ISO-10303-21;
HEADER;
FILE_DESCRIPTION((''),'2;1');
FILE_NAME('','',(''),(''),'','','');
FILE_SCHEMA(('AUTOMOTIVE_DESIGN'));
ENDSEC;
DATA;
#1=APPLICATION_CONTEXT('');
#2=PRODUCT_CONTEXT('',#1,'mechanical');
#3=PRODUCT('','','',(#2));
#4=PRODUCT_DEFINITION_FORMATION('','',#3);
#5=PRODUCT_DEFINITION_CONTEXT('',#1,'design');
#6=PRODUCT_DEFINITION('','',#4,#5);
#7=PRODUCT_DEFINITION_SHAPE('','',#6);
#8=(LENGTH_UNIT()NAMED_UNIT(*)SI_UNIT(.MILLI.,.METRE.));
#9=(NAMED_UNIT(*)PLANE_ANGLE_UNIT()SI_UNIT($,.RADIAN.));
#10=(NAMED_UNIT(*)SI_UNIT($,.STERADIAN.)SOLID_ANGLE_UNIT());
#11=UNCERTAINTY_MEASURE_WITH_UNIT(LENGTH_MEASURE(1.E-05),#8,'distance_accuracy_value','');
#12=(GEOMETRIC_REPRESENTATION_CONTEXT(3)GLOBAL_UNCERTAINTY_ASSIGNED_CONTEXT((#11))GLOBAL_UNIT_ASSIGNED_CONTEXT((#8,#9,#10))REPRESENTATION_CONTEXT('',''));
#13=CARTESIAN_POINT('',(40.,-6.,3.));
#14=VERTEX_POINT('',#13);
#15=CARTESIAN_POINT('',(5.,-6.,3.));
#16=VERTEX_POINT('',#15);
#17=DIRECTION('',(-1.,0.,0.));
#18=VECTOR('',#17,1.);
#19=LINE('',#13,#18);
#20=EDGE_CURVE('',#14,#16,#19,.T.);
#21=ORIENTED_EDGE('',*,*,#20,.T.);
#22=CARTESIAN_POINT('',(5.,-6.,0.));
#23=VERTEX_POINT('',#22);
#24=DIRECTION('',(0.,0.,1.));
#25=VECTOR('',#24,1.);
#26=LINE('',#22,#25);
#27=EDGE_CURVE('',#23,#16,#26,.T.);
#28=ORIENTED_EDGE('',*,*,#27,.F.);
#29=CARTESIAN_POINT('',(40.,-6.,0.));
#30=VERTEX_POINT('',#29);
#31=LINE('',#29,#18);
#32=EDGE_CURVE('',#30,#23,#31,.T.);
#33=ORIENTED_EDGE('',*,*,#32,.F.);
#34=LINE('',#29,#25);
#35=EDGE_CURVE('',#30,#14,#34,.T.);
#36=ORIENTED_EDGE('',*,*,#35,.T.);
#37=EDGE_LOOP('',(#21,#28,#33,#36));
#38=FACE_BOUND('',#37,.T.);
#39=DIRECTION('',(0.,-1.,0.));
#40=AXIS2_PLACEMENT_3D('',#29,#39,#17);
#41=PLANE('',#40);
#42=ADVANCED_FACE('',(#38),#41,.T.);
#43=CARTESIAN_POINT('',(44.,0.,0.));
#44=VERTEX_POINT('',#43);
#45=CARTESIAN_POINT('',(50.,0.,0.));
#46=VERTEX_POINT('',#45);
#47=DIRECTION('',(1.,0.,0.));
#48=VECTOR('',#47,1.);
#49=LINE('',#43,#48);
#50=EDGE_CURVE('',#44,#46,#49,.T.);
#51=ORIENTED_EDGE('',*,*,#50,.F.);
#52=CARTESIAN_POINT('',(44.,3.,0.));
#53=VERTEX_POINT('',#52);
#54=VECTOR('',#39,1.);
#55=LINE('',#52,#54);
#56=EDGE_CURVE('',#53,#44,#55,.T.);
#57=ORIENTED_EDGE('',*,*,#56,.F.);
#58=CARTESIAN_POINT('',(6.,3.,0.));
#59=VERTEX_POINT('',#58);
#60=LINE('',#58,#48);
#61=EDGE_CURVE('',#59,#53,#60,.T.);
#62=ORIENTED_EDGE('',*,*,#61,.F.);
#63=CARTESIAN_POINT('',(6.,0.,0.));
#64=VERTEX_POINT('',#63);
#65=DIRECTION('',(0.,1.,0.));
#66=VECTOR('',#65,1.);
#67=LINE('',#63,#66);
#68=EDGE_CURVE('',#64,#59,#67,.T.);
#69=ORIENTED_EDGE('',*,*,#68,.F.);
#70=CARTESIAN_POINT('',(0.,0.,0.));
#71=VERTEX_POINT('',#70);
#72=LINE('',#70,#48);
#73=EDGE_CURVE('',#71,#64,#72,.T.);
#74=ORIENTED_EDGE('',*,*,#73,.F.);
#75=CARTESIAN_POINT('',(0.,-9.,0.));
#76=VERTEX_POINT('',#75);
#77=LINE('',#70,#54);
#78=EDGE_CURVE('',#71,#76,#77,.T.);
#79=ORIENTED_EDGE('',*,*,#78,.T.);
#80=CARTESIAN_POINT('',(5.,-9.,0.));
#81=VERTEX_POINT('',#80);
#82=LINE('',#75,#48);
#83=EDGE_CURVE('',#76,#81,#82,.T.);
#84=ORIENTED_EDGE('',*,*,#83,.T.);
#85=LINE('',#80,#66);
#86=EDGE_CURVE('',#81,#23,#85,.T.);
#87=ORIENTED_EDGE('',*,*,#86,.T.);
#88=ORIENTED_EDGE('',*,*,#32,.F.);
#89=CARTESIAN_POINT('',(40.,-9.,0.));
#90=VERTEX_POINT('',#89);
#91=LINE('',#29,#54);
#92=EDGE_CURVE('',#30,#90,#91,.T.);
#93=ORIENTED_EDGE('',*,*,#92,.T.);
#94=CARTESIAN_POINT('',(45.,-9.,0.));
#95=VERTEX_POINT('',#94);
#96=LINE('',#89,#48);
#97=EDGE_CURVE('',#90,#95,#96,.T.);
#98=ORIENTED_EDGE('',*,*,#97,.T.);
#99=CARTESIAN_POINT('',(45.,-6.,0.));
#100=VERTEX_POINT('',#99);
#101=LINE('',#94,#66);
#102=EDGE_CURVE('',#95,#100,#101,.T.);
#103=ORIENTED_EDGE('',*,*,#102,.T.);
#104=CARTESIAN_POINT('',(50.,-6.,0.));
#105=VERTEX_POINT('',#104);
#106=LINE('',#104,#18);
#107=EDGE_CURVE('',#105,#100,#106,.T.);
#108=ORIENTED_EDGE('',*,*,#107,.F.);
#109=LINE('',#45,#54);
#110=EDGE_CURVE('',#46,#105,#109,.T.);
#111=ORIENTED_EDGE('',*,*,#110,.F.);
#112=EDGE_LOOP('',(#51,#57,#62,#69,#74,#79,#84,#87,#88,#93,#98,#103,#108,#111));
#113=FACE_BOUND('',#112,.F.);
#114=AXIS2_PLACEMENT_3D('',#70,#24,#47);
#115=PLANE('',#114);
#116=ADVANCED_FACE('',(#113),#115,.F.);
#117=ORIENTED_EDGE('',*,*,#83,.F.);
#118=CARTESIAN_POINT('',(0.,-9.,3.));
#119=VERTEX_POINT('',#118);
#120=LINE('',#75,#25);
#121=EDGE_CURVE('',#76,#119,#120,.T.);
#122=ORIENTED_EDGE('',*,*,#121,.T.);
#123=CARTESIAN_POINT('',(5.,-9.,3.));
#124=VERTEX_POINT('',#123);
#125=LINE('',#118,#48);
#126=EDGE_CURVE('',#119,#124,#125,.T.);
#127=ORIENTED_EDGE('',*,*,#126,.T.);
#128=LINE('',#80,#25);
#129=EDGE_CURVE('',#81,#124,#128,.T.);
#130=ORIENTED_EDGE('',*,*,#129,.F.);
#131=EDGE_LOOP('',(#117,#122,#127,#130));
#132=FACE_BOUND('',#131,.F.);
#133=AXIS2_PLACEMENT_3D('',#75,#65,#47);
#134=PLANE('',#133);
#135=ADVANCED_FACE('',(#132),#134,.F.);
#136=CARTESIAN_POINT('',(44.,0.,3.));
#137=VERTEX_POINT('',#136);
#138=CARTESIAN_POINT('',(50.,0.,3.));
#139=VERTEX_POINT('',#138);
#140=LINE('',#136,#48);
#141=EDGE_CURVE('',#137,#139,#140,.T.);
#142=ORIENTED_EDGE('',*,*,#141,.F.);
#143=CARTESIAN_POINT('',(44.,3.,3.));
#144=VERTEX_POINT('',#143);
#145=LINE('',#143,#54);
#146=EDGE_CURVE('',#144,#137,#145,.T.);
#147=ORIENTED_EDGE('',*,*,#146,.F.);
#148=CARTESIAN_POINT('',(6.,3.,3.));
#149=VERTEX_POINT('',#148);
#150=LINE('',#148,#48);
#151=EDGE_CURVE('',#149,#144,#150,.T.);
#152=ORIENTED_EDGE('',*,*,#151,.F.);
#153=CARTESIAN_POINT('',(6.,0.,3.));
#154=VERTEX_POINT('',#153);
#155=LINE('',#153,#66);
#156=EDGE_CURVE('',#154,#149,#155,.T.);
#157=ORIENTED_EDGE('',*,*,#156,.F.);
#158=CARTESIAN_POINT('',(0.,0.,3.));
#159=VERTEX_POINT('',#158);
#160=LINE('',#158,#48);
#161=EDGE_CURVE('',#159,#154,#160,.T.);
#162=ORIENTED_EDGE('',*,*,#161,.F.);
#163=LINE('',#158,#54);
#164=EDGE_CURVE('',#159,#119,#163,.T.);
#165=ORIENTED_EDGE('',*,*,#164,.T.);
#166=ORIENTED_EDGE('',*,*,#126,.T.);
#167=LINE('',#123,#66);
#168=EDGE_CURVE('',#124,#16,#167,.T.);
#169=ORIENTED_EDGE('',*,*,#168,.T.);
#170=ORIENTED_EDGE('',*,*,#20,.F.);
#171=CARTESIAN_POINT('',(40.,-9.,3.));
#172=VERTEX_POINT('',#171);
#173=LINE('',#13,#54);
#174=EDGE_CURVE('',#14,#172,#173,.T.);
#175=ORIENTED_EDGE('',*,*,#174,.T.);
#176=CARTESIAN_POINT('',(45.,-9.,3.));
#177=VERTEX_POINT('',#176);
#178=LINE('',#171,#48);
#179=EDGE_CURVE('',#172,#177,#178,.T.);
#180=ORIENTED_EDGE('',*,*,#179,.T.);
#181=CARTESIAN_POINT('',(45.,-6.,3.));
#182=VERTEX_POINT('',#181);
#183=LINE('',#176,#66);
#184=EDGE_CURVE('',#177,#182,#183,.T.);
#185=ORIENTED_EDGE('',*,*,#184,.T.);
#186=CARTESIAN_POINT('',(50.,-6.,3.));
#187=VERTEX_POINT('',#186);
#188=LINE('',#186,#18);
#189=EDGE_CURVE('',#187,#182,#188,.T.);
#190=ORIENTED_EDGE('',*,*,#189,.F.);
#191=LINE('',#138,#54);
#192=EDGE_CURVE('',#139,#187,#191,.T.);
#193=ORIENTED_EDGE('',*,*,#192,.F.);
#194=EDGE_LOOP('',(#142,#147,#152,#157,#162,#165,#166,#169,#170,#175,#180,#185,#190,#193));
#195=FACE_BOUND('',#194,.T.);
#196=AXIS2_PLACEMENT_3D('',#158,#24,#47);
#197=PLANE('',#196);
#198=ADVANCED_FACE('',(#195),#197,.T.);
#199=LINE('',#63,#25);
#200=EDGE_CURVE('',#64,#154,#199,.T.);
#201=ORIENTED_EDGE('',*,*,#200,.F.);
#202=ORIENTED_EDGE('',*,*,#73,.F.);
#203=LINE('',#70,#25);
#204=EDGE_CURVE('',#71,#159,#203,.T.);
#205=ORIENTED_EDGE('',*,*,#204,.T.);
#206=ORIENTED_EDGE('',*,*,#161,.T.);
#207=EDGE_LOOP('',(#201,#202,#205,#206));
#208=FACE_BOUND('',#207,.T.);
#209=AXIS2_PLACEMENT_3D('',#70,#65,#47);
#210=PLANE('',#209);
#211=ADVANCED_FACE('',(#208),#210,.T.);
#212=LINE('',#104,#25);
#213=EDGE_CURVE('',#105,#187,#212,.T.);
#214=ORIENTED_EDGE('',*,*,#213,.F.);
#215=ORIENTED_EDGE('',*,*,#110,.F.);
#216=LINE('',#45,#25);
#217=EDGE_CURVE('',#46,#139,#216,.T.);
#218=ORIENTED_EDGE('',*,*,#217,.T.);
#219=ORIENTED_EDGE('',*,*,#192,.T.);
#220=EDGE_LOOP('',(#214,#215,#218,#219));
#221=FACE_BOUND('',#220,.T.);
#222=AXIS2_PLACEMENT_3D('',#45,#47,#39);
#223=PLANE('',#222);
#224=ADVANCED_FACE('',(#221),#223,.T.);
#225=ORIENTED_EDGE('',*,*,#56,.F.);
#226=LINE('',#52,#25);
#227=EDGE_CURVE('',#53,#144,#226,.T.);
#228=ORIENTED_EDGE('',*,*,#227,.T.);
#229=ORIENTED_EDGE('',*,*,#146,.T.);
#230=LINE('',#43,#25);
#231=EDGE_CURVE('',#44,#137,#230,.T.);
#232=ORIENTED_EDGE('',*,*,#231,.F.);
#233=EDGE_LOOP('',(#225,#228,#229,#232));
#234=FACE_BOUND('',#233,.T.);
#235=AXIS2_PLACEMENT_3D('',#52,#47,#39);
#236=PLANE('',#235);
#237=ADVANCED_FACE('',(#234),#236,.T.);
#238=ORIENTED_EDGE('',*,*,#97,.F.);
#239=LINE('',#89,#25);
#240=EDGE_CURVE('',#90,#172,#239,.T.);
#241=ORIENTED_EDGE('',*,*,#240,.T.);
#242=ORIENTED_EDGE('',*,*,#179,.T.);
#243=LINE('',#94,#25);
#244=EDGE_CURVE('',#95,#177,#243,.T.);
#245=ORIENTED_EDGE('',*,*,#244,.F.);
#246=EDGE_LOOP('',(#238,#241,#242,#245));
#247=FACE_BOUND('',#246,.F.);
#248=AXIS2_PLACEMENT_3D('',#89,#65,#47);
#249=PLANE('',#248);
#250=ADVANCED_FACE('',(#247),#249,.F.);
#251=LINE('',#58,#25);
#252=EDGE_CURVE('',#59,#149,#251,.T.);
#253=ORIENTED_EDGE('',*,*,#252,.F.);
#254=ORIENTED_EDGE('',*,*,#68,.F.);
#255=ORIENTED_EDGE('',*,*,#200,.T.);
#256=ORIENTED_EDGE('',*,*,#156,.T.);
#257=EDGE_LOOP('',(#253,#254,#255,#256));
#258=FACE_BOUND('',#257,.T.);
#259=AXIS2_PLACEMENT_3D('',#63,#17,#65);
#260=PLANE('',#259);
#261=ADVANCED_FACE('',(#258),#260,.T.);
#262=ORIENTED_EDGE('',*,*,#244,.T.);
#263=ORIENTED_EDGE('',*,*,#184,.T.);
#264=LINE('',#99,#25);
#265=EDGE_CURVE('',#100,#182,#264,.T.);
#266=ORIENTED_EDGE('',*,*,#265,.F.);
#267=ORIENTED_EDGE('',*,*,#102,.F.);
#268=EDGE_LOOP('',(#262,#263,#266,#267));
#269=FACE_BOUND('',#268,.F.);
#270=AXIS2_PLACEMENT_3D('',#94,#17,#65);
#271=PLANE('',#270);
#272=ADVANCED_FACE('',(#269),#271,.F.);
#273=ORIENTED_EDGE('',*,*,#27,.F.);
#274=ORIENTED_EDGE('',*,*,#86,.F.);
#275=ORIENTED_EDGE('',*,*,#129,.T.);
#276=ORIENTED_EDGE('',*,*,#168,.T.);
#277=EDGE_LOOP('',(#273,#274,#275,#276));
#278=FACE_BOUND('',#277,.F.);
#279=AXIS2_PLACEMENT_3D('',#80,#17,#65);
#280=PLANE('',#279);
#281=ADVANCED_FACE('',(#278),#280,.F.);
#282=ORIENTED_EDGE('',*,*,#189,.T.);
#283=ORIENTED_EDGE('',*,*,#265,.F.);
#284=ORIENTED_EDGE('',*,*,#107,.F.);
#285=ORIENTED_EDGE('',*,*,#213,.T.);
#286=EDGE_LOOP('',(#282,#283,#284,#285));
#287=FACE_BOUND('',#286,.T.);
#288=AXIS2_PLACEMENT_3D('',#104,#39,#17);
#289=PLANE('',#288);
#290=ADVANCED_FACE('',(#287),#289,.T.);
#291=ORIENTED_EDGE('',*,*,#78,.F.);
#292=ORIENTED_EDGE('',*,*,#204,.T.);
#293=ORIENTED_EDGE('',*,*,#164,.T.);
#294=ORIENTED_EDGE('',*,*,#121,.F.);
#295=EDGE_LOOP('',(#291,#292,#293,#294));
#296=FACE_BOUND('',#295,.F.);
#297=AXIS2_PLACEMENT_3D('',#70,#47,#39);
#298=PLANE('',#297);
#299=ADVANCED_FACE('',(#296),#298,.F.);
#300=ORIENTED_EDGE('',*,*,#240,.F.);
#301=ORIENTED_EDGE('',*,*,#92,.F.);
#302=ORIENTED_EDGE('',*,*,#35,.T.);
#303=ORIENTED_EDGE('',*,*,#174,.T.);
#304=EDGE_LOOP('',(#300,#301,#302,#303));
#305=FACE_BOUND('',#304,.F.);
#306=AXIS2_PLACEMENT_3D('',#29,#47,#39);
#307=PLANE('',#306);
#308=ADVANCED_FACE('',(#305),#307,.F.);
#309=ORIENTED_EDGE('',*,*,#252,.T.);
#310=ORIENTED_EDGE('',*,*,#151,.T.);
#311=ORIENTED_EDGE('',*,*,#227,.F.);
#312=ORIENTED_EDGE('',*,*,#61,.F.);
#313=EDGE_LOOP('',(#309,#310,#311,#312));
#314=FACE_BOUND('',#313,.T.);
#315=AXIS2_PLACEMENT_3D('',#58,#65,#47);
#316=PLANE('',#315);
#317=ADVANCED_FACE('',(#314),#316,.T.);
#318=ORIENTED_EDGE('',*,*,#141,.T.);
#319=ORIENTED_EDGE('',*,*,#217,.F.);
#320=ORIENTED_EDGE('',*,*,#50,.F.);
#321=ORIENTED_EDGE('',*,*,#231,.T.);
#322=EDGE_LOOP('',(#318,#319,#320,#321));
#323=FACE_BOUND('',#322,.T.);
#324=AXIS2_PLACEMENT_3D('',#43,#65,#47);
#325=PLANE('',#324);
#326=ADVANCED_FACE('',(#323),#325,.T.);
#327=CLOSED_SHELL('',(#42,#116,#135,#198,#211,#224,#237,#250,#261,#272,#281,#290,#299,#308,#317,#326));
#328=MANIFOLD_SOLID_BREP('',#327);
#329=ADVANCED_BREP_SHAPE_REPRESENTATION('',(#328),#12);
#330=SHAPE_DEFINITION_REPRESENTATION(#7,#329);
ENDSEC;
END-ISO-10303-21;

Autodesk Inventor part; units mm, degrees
ref_plane "YZ Plane" through (0, 0, 0) normal (1, 0, 0) x (0, 1, 0)
ref_plane "XZ Plane" through (0, 0, 0) normal (0, 1, 0) x (-1, 0, 0)
ref_plane "XY Plane" through (0, 0, 0) normal (0, 0, 1) x (1, 0, 0)
sketch "Boceto1" plane through (0, 0, 0) normal (0, 0, 1) x (1, 0, 0)
  line L0 (50, 0) -> (50, -6)
  line L1 (5, -9) -> (5, -6)
  line L2 (40, -6) -> (40, -9)
  line L3 (40, -9) -> (45, -9)
  line L4 (45, -9) -> (45, -6)
  line L5 (50, -6) -> (45, -6)
  line L6 (40, -6) -> (5, -6)
  line L7 (0, 0) -> (0, -9)
  line L8 (0, -9) -> (5, -9)
  line L9 (6, 0) -> (6, 3)
  line L10 (6, 3) -> (44, 3)
  line L11 (44, 3) -> (44, 0)
  line L12 (0, 0) -> (6, 0)
  line L13 (44, 0) -> (50, 0)
  dimension "d7" = 5
  dimension "d12" = 50
  dimension "d13" = 35
  dimension "d18" = 5
  dimension "d19" = 3
  dimension "d23" = 38
  dimension "d24" = 6
  dimension "d26" = 6
  dimension "d27" = 3
extrude "Extrusión1" add sketch "Boceto1" along normal blind 3
properties part number "celda base cremallera"
